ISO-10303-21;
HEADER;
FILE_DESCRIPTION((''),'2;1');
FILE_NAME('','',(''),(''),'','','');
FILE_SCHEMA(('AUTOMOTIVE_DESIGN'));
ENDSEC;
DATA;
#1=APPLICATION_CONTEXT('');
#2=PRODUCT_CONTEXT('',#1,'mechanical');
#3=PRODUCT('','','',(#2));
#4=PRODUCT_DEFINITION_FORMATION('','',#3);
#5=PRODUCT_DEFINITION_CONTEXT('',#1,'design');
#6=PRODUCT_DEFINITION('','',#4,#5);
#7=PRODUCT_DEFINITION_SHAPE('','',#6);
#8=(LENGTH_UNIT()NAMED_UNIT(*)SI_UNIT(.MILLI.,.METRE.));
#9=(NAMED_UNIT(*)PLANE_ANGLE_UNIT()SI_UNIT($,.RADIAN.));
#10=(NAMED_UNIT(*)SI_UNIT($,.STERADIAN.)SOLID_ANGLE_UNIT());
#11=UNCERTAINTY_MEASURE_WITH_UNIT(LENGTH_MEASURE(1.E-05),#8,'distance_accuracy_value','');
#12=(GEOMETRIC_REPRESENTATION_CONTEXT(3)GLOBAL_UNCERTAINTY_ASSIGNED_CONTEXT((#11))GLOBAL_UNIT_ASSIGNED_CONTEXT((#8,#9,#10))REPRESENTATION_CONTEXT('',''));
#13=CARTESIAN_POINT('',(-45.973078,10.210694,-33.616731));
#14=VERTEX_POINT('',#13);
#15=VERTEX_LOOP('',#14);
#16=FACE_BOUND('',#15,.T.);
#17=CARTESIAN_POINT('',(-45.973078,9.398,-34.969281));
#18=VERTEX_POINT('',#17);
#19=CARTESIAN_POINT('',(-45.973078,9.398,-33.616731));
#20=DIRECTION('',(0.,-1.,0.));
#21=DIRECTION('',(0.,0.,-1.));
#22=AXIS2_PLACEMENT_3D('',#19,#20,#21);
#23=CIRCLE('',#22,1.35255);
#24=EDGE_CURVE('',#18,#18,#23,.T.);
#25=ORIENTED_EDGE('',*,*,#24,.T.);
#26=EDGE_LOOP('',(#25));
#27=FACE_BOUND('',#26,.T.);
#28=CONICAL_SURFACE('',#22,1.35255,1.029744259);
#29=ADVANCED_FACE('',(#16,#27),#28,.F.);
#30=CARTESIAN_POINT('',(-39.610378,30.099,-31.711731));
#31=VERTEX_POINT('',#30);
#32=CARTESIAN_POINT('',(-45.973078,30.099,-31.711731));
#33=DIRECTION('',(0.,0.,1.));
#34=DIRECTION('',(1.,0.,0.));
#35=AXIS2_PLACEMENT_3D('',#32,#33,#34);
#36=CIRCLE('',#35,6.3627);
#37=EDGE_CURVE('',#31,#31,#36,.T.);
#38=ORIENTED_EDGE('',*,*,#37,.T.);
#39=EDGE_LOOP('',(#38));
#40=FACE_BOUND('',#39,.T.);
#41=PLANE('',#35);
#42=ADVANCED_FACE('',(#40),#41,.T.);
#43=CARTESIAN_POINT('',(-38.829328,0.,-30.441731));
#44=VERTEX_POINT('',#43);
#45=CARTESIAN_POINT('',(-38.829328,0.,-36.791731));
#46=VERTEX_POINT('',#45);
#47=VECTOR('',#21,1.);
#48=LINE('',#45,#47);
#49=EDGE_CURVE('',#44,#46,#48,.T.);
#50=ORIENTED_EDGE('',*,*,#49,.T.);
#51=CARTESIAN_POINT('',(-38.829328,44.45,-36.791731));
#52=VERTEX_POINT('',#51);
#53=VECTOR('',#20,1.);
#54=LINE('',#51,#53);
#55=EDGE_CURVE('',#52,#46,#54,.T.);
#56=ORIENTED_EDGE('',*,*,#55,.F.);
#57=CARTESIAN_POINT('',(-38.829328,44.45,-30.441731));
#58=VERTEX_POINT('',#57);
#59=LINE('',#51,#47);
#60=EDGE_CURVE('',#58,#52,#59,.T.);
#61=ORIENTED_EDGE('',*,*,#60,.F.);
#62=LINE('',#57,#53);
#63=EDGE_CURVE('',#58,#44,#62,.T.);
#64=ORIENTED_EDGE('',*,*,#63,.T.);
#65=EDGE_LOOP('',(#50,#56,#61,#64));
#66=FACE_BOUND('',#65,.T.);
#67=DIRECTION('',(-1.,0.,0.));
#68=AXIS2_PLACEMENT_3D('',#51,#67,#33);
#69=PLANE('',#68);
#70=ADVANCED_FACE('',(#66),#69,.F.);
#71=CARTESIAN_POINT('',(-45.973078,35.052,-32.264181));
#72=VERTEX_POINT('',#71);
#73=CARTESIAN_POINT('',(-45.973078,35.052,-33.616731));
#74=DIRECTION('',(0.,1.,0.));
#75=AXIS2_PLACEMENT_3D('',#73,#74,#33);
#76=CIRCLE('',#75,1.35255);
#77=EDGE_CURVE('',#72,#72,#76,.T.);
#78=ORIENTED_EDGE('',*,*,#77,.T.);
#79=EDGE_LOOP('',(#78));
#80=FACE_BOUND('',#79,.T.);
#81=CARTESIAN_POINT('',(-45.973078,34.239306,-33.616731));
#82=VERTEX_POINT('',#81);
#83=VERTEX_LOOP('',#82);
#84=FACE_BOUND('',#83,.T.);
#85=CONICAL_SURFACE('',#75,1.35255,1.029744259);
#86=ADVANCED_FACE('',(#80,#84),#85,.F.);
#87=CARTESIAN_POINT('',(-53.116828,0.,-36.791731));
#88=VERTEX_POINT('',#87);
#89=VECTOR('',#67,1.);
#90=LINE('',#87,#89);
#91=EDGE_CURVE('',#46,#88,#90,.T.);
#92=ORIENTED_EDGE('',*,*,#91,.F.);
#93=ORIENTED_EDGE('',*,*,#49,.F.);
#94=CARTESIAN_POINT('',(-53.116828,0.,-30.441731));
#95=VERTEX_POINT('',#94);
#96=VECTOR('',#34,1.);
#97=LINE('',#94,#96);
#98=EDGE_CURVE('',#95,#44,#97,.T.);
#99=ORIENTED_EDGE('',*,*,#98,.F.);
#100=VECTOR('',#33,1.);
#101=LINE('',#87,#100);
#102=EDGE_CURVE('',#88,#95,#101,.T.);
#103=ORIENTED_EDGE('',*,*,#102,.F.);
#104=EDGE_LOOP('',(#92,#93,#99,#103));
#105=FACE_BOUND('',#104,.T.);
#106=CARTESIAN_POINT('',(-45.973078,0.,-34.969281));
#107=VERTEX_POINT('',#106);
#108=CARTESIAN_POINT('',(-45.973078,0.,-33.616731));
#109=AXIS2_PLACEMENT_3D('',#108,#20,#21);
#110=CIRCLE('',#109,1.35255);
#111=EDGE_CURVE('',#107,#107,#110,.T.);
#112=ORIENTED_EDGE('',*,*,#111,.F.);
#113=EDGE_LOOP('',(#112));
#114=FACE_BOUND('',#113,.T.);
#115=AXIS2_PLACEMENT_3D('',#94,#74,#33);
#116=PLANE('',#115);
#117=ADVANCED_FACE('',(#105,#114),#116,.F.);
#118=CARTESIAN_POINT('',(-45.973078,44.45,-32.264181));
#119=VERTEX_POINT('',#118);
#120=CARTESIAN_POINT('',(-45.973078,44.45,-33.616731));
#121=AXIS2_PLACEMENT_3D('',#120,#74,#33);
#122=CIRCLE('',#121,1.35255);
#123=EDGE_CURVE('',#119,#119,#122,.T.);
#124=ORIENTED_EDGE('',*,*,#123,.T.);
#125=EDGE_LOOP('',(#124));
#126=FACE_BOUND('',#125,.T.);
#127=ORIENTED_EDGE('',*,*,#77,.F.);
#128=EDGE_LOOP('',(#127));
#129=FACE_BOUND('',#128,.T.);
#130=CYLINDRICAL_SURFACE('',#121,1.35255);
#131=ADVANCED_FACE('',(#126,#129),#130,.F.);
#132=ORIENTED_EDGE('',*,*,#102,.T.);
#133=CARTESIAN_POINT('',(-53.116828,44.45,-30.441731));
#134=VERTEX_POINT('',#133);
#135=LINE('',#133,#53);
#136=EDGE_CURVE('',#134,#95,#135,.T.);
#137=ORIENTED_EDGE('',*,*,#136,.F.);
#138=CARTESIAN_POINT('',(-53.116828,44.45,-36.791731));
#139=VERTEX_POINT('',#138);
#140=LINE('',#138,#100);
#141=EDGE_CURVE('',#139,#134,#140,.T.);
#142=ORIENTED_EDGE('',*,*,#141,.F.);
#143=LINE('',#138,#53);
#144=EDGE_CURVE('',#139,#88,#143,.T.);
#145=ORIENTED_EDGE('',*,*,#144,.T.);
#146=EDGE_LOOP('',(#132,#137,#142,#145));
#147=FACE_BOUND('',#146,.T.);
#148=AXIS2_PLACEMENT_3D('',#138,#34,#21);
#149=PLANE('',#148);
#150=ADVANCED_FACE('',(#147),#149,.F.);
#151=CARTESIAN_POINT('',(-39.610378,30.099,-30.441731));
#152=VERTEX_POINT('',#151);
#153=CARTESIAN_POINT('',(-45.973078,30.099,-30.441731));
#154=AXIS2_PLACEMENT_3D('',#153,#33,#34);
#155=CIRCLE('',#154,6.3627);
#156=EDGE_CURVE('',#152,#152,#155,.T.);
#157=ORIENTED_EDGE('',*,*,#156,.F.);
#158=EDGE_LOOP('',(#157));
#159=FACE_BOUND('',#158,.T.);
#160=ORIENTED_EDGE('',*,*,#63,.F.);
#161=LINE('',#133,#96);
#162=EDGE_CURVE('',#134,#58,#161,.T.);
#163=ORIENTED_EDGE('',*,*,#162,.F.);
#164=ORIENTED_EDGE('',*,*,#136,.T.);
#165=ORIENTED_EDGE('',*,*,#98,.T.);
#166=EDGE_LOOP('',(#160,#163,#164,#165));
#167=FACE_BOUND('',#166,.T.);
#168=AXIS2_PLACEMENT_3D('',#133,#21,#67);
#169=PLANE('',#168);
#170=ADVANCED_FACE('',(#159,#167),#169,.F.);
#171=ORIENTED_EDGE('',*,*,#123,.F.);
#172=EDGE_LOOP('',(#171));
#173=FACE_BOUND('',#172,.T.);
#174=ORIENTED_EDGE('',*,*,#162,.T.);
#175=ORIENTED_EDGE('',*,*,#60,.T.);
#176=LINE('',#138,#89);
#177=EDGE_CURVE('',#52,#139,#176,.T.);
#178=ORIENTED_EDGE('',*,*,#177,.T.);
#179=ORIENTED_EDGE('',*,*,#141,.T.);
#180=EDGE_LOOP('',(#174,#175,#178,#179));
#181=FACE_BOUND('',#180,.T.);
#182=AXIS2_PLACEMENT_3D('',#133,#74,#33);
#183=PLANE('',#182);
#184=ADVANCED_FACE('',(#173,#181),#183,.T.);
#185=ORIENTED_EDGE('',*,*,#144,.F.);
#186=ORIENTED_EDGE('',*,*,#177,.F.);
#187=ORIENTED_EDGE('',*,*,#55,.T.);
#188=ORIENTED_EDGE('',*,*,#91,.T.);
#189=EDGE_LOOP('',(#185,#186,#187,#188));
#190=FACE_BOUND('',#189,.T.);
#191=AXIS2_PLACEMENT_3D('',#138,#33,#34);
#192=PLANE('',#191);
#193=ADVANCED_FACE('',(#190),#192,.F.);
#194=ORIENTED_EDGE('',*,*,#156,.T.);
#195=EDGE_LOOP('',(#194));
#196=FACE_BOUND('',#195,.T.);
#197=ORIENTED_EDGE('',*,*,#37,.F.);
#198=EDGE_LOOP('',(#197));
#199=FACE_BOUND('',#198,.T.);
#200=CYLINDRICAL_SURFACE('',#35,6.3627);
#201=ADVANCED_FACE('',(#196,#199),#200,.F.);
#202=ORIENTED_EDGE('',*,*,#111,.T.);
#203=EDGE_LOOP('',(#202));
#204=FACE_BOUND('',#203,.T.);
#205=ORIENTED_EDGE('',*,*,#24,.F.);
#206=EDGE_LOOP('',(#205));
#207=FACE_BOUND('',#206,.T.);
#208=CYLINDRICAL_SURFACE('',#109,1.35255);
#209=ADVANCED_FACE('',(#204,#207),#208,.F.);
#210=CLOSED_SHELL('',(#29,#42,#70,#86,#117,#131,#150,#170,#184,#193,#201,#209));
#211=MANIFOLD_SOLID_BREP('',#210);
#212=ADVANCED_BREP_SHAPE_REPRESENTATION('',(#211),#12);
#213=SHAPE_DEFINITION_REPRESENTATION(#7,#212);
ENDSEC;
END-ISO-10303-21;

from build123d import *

# Parameters (mm, degrees)
SKETCH1_W                           = 14.2875
SKETCH1_H                           = 6.35
EXTRUDE1_DEPTH                      = 44.45
SKETCH6_R                           = 6.3627
CUT_EXTRUDE2_DEPTH                  = 1.27
F_6_32_TAPPED_HOLE1_D               = 2.7051
F_6_32_TAPPED_HOLE1_DEPTH           = 9.398
F_6_32_TAPPED_HOLE1_TIP             = 0.81269403
F_6_32_TAPPED_HOLE1_ON_FACE_2_D     = 2.7051
F_6_32_TAPPED_HOLE1_ON_FACE_2_DEPTH = 9.398
F_6_32_TAPPED_HOLE1_ON_FACE_2_TIP   = 0.81269403


with BuildPart() as part:
    # Sketch1 → Extrude1 (new body)
    with BuildSketch(Plane(origin=(0, 0, 0), x_dir=(1, 0, 0), z_dir=(0, 1, 0))):
        with Locations((-45.973078165, 33.616731266)):
            Rectangle(SKETCH1_W, SKETCH1_H)
    extrude(amount=EXTRUDE1_DEPTH)

    # Sketch6 → Cut-Extrude2 (cut)
    with BuildSketch(Plane.XY.offset(-30.441731266)):
        with Locations((-45.973078165, 30.099)):
            Circle(SKETCH6_R)
    extrude(amount=-CUT_EXTRUDE2_DEPTH, mode=Mode.SUBTRACT)

    # #6-32 Tapped Hole1
    with Locations(Plane(origin=(-45.973078165, 44.45, -33.616731266), x_dir=(0, 0, 1), z_dir=(0, 1, 0))):
        with Locations((0, 0)):
            Hole(F_6_32_TAPPED_HOLE1_D / 2, depth=F_6_32_TAPPED_HOLE1_DEPTH)
            with Locations((0, 0, -(F_6_32_TAPPED_HOLE1_DEPTH + F_6_32_TAPPED_HOLE1_TIP / 2))):  # 118° drill point
                Cone(0, F_6_32_TAPPED_HOLE1_D / 2, F_6_32_TAPPED_HOLE1_TIP, mode=Mode.SUBTRACT)

    # #6-32 Tapped Hole1 on face 2
    with Locations(Plane(origin=(-45.973078165, 0, -33.616731266), x_dir=(0, 0, -1), z_dir=(0, -1, 0))):
        with Locations((0, 0)):
            Hole(F_6_32_TAPPED_HOLE1_ON_FACE_2_D / 2, depth=F_6_32_TAPPED_HOLE1_ON_FACE_2_DEPTH)
            with Locations((0, 0, -(F_6_32_TAPPED_HOLE1_ON_FACE_2_DEPTH + F_6_32_TAPPED_HOLE1_ON_FACE_2_TIP / 2))):  # 118° drill point
                Cone(0, F_6_32_TAPPED_HOLE1_ON_FACE_2_D / 2, F_6_32_TAPPED_HOLE1_ON_FACE_2_TIP, mode=Mode.SUBTRACT)


solid = part.part
